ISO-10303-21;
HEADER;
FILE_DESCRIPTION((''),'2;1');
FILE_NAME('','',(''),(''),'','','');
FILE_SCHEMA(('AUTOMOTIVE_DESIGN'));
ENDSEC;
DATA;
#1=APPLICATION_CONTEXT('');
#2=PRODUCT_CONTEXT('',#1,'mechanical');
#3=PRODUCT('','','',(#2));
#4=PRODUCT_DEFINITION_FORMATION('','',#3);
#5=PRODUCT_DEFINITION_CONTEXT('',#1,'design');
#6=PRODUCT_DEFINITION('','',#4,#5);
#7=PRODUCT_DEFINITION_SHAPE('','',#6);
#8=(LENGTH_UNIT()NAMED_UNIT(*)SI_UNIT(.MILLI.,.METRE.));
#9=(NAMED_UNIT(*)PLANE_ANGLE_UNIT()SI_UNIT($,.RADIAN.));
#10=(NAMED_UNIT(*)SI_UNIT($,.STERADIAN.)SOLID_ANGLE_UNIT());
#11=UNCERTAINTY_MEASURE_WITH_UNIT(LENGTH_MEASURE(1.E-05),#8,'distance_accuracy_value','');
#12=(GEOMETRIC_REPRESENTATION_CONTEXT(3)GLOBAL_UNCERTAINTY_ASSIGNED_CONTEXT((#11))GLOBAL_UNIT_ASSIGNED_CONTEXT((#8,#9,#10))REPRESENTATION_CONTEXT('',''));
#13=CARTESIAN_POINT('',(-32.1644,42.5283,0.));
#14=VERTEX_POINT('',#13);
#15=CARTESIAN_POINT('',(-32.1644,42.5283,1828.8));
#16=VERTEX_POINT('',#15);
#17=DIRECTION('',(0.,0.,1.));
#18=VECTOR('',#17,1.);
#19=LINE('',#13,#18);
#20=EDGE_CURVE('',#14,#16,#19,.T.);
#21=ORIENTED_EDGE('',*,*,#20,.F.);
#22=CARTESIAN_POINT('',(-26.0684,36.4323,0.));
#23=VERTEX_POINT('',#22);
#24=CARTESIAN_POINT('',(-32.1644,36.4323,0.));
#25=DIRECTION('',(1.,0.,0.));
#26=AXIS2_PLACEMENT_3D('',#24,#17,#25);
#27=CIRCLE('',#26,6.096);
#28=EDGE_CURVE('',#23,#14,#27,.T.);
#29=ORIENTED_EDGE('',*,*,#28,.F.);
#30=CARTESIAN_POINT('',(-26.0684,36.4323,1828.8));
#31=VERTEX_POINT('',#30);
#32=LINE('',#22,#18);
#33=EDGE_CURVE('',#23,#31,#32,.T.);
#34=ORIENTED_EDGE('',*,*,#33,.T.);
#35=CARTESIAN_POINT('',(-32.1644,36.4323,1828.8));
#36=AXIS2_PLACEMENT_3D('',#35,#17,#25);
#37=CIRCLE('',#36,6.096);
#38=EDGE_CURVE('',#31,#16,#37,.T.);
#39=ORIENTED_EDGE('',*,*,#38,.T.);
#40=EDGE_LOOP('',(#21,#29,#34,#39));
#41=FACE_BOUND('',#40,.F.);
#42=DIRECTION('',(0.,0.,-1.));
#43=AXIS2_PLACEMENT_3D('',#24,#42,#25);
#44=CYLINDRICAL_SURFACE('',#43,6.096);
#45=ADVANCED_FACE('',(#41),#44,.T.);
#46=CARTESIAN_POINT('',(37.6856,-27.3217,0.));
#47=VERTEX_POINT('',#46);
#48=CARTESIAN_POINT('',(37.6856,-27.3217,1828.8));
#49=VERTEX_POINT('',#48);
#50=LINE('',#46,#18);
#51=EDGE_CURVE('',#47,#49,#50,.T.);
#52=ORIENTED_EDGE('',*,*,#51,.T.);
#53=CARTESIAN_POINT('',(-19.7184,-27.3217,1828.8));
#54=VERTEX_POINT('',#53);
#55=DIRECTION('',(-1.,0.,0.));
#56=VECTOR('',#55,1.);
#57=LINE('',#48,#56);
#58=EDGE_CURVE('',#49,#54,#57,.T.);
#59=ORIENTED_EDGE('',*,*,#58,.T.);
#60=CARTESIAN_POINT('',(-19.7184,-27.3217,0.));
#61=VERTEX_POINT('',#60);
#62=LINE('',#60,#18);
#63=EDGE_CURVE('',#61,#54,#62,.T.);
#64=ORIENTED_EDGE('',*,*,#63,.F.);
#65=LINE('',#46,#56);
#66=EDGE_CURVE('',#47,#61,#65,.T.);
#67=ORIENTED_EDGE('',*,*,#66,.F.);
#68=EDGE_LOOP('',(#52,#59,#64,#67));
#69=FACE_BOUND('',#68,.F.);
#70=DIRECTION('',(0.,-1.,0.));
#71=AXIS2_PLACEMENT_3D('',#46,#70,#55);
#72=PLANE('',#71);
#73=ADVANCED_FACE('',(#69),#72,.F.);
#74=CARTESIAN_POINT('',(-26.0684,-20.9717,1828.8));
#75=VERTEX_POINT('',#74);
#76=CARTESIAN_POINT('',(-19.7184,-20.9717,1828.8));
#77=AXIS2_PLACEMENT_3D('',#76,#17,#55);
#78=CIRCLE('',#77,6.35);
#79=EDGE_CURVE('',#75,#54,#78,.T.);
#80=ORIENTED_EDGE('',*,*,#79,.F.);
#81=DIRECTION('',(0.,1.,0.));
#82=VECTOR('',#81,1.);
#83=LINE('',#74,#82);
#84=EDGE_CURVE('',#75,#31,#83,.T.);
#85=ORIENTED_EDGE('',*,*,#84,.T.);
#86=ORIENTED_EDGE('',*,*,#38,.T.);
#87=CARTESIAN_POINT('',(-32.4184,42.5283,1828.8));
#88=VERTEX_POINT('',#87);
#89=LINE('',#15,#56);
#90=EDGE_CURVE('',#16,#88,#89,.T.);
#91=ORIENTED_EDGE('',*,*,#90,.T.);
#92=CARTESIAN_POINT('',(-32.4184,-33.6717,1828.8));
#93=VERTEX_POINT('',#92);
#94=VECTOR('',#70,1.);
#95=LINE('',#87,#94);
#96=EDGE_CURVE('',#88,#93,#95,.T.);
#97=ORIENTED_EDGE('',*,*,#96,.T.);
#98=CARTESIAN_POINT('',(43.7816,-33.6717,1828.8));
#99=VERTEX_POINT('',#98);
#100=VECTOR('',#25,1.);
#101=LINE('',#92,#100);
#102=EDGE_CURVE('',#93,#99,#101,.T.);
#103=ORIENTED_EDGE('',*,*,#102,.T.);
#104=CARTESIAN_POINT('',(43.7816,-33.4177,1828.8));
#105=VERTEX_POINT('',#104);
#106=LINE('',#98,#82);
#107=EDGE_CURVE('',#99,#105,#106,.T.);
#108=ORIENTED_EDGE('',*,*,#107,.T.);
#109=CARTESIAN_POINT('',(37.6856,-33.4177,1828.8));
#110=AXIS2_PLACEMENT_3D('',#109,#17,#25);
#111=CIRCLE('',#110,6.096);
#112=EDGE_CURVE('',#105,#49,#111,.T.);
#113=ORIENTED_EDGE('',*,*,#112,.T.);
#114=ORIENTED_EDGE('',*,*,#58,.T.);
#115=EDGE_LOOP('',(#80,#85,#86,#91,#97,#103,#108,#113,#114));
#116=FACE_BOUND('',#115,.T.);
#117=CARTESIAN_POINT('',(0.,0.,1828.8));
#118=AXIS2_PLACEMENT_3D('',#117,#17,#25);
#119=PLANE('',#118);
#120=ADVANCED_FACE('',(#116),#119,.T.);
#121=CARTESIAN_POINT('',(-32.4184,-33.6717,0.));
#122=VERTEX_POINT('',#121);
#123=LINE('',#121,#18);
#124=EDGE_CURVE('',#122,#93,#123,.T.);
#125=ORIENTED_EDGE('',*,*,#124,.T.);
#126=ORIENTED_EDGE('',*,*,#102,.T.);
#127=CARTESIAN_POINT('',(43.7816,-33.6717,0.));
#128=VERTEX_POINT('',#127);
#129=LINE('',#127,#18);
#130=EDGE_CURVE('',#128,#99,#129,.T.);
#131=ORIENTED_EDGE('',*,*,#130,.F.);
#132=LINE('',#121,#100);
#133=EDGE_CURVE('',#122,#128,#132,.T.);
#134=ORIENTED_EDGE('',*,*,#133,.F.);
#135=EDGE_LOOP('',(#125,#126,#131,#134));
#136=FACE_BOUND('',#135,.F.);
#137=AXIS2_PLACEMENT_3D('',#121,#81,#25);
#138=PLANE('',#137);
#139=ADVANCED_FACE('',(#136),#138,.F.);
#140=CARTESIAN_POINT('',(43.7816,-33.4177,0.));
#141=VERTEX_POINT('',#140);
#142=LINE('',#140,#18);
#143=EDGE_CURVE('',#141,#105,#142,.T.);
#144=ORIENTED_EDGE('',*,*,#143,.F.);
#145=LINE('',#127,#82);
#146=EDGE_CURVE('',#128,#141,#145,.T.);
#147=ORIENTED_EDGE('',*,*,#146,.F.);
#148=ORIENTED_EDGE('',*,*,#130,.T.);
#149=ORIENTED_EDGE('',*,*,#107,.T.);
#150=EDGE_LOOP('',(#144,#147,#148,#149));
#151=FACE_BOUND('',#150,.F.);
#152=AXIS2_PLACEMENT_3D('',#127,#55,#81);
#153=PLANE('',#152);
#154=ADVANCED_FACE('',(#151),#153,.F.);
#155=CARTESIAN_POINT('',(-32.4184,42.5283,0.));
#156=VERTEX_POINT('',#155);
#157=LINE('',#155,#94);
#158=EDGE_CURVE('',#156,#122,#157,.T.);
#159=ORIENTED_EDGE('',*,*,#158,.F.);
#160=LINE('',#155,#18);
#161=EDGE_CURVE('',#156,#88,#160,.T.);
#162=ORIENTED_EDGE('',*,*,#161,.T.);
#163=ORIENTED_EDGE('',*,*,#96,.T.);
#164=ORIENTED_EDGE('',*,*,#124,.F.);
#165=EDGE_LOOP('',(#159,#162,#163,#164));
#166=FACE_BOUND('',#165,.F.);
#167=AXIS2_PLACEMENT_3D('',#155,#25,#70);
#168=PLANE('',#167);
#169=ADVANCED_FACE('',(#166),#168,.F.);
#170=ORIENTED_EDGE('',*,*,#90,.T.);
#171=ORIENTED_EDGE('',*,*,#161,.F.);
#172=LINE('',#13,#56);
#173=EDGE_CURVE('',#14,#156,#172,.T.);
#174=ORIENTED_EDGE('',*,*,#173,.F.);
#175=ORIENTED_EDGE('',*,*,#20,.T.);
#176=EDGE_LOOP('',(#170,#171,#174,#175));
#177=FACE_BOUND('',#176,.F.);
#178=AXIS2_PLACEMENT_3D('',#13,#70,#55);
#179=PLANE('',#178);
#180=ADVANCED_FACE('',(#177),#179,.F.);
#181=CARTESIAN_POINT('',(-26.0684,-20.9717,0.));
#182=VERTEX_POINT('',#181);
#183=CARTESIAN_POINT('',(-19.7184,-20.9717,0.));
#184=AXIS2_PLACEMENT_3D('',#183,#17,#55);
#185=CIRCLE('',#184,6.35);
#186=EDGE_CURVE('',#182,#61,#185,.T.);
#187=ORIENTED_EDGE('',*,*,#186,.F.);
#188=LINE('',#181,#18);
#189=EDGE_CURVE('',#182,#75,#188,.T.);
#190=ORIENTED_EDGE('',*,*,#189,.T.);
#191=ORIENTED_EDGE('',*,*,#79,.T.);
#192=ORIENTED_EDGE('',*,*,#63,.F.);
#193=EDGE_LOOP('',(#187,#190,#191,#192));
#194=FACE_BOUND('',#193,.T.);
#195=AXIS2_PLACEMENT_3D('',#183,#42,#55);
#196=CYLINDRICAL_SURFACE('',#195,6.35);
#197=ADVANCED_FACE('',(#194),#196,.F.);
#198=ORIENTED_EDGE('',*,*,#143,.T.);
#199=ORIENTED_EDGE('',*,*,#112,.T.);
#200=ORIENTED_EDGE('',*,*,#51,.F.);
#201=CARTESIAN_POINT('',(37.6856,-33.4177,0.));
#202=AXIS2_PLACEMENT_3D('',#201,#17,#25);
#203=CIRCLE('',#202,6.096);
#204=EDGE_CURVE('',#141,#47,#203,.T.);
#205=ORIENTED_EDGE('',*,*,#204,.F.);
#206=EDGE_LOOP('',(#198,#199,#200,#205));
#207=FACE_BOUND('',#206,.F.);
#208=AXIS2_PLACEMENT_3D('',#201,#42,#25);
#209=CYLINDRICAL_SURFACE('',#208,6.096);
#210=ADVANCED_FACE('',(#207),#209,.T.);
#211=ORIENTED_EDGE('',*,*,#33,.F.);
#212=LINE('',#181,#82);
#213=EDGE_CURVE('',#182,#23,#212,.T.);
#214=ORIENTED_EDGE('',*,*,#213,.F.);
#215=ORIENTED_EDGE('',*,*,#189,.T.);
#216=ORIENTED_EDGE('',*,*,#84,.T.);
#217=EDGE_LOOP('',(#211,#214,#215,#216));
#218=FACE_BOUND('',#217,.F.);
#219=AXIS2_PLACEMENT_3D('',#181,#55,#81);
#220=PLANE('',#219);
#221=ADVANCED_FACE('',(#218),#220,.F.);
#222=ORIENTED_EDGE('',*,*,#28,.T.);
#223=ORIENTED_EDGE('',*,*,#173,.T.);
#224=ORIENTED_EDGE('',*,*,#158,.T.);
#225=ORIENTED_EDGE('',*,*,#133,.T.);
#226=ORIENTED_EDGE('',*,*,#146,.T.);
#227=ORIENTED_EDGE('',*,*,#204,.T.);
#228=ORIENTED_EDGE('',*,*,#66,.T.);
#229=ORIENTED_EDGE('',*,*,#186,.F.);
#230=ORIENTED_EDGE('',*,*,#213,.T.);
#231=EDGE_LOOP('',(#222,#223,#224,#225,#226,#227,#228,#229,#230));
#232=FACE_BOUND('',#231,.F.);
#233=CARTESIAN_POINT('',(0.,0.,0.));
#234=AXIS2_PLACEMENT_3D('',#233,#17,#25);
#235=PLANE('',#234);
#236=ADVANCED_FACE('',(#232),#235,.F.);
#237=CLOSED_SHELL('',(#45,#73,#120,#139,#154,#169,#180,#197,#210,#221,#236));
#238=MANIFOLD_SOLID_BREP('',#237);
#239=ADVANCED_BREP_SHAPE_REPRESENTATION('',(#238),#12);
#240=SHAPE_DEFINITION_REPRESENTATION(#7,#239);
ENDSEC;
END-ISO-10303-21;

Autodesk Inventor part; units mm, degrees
ref_plane "YZ Plane" through (0, 0, 0) normal (1, 0, 0) x (0, 1, 0)
ref_plane "XZ Plane" through (0, 0, 0) normal (0, 1, 0) x (-1, 0, 0)
ref_plane "XY Plane" through (0, 0, 0) normal (0, 0, 1) x (1, 0, 0)
sketch "Sketch1" plane through (0, 0, 0) normal (0, 0, 1) x (1, 0, 0)
  line L0 (-32.4184, 42.5283) -> (-32.4184, -33.6717)
  line L1 (-32.4184, -33.6717) -> (43.7816, -33.6717)
  line L2 (43.7816, -33.6717) -> (43.7816, -33.4177)
  line L3 (37.6856, -27.3217) -> (-19.7184, -27.3217)
  line L4 (-26.0684, -20.9717) -> (-26.0684, 36.4323)
  line L5 (-32.1644, 42.5283) -> (-32.4184, 42.5283)
  arc A0 (-26.0684, 36.4323) -> (-32.1644, 42.5283) centre (-32.1644, 36.4323) ccw
  arc A1 (43.7816, -33.4177) -> (37.6856, -27.3217) centre (37.6856, -33.4177) ccw
  arc A2 (-26.0684, -20.9717) -> (-19.7184, -27.3217) centre (-19.7184, -20.9717) ccw
  dimension "d0" = 76.2
  dimension "d1" = 6.096
  dimension "d2" = 6.35
  dimension "d3" = 6.35
extrude "Extrusion1" add sketch "Sketch1" along normal blind 1828.8
properties part number "FE-00005-01"
